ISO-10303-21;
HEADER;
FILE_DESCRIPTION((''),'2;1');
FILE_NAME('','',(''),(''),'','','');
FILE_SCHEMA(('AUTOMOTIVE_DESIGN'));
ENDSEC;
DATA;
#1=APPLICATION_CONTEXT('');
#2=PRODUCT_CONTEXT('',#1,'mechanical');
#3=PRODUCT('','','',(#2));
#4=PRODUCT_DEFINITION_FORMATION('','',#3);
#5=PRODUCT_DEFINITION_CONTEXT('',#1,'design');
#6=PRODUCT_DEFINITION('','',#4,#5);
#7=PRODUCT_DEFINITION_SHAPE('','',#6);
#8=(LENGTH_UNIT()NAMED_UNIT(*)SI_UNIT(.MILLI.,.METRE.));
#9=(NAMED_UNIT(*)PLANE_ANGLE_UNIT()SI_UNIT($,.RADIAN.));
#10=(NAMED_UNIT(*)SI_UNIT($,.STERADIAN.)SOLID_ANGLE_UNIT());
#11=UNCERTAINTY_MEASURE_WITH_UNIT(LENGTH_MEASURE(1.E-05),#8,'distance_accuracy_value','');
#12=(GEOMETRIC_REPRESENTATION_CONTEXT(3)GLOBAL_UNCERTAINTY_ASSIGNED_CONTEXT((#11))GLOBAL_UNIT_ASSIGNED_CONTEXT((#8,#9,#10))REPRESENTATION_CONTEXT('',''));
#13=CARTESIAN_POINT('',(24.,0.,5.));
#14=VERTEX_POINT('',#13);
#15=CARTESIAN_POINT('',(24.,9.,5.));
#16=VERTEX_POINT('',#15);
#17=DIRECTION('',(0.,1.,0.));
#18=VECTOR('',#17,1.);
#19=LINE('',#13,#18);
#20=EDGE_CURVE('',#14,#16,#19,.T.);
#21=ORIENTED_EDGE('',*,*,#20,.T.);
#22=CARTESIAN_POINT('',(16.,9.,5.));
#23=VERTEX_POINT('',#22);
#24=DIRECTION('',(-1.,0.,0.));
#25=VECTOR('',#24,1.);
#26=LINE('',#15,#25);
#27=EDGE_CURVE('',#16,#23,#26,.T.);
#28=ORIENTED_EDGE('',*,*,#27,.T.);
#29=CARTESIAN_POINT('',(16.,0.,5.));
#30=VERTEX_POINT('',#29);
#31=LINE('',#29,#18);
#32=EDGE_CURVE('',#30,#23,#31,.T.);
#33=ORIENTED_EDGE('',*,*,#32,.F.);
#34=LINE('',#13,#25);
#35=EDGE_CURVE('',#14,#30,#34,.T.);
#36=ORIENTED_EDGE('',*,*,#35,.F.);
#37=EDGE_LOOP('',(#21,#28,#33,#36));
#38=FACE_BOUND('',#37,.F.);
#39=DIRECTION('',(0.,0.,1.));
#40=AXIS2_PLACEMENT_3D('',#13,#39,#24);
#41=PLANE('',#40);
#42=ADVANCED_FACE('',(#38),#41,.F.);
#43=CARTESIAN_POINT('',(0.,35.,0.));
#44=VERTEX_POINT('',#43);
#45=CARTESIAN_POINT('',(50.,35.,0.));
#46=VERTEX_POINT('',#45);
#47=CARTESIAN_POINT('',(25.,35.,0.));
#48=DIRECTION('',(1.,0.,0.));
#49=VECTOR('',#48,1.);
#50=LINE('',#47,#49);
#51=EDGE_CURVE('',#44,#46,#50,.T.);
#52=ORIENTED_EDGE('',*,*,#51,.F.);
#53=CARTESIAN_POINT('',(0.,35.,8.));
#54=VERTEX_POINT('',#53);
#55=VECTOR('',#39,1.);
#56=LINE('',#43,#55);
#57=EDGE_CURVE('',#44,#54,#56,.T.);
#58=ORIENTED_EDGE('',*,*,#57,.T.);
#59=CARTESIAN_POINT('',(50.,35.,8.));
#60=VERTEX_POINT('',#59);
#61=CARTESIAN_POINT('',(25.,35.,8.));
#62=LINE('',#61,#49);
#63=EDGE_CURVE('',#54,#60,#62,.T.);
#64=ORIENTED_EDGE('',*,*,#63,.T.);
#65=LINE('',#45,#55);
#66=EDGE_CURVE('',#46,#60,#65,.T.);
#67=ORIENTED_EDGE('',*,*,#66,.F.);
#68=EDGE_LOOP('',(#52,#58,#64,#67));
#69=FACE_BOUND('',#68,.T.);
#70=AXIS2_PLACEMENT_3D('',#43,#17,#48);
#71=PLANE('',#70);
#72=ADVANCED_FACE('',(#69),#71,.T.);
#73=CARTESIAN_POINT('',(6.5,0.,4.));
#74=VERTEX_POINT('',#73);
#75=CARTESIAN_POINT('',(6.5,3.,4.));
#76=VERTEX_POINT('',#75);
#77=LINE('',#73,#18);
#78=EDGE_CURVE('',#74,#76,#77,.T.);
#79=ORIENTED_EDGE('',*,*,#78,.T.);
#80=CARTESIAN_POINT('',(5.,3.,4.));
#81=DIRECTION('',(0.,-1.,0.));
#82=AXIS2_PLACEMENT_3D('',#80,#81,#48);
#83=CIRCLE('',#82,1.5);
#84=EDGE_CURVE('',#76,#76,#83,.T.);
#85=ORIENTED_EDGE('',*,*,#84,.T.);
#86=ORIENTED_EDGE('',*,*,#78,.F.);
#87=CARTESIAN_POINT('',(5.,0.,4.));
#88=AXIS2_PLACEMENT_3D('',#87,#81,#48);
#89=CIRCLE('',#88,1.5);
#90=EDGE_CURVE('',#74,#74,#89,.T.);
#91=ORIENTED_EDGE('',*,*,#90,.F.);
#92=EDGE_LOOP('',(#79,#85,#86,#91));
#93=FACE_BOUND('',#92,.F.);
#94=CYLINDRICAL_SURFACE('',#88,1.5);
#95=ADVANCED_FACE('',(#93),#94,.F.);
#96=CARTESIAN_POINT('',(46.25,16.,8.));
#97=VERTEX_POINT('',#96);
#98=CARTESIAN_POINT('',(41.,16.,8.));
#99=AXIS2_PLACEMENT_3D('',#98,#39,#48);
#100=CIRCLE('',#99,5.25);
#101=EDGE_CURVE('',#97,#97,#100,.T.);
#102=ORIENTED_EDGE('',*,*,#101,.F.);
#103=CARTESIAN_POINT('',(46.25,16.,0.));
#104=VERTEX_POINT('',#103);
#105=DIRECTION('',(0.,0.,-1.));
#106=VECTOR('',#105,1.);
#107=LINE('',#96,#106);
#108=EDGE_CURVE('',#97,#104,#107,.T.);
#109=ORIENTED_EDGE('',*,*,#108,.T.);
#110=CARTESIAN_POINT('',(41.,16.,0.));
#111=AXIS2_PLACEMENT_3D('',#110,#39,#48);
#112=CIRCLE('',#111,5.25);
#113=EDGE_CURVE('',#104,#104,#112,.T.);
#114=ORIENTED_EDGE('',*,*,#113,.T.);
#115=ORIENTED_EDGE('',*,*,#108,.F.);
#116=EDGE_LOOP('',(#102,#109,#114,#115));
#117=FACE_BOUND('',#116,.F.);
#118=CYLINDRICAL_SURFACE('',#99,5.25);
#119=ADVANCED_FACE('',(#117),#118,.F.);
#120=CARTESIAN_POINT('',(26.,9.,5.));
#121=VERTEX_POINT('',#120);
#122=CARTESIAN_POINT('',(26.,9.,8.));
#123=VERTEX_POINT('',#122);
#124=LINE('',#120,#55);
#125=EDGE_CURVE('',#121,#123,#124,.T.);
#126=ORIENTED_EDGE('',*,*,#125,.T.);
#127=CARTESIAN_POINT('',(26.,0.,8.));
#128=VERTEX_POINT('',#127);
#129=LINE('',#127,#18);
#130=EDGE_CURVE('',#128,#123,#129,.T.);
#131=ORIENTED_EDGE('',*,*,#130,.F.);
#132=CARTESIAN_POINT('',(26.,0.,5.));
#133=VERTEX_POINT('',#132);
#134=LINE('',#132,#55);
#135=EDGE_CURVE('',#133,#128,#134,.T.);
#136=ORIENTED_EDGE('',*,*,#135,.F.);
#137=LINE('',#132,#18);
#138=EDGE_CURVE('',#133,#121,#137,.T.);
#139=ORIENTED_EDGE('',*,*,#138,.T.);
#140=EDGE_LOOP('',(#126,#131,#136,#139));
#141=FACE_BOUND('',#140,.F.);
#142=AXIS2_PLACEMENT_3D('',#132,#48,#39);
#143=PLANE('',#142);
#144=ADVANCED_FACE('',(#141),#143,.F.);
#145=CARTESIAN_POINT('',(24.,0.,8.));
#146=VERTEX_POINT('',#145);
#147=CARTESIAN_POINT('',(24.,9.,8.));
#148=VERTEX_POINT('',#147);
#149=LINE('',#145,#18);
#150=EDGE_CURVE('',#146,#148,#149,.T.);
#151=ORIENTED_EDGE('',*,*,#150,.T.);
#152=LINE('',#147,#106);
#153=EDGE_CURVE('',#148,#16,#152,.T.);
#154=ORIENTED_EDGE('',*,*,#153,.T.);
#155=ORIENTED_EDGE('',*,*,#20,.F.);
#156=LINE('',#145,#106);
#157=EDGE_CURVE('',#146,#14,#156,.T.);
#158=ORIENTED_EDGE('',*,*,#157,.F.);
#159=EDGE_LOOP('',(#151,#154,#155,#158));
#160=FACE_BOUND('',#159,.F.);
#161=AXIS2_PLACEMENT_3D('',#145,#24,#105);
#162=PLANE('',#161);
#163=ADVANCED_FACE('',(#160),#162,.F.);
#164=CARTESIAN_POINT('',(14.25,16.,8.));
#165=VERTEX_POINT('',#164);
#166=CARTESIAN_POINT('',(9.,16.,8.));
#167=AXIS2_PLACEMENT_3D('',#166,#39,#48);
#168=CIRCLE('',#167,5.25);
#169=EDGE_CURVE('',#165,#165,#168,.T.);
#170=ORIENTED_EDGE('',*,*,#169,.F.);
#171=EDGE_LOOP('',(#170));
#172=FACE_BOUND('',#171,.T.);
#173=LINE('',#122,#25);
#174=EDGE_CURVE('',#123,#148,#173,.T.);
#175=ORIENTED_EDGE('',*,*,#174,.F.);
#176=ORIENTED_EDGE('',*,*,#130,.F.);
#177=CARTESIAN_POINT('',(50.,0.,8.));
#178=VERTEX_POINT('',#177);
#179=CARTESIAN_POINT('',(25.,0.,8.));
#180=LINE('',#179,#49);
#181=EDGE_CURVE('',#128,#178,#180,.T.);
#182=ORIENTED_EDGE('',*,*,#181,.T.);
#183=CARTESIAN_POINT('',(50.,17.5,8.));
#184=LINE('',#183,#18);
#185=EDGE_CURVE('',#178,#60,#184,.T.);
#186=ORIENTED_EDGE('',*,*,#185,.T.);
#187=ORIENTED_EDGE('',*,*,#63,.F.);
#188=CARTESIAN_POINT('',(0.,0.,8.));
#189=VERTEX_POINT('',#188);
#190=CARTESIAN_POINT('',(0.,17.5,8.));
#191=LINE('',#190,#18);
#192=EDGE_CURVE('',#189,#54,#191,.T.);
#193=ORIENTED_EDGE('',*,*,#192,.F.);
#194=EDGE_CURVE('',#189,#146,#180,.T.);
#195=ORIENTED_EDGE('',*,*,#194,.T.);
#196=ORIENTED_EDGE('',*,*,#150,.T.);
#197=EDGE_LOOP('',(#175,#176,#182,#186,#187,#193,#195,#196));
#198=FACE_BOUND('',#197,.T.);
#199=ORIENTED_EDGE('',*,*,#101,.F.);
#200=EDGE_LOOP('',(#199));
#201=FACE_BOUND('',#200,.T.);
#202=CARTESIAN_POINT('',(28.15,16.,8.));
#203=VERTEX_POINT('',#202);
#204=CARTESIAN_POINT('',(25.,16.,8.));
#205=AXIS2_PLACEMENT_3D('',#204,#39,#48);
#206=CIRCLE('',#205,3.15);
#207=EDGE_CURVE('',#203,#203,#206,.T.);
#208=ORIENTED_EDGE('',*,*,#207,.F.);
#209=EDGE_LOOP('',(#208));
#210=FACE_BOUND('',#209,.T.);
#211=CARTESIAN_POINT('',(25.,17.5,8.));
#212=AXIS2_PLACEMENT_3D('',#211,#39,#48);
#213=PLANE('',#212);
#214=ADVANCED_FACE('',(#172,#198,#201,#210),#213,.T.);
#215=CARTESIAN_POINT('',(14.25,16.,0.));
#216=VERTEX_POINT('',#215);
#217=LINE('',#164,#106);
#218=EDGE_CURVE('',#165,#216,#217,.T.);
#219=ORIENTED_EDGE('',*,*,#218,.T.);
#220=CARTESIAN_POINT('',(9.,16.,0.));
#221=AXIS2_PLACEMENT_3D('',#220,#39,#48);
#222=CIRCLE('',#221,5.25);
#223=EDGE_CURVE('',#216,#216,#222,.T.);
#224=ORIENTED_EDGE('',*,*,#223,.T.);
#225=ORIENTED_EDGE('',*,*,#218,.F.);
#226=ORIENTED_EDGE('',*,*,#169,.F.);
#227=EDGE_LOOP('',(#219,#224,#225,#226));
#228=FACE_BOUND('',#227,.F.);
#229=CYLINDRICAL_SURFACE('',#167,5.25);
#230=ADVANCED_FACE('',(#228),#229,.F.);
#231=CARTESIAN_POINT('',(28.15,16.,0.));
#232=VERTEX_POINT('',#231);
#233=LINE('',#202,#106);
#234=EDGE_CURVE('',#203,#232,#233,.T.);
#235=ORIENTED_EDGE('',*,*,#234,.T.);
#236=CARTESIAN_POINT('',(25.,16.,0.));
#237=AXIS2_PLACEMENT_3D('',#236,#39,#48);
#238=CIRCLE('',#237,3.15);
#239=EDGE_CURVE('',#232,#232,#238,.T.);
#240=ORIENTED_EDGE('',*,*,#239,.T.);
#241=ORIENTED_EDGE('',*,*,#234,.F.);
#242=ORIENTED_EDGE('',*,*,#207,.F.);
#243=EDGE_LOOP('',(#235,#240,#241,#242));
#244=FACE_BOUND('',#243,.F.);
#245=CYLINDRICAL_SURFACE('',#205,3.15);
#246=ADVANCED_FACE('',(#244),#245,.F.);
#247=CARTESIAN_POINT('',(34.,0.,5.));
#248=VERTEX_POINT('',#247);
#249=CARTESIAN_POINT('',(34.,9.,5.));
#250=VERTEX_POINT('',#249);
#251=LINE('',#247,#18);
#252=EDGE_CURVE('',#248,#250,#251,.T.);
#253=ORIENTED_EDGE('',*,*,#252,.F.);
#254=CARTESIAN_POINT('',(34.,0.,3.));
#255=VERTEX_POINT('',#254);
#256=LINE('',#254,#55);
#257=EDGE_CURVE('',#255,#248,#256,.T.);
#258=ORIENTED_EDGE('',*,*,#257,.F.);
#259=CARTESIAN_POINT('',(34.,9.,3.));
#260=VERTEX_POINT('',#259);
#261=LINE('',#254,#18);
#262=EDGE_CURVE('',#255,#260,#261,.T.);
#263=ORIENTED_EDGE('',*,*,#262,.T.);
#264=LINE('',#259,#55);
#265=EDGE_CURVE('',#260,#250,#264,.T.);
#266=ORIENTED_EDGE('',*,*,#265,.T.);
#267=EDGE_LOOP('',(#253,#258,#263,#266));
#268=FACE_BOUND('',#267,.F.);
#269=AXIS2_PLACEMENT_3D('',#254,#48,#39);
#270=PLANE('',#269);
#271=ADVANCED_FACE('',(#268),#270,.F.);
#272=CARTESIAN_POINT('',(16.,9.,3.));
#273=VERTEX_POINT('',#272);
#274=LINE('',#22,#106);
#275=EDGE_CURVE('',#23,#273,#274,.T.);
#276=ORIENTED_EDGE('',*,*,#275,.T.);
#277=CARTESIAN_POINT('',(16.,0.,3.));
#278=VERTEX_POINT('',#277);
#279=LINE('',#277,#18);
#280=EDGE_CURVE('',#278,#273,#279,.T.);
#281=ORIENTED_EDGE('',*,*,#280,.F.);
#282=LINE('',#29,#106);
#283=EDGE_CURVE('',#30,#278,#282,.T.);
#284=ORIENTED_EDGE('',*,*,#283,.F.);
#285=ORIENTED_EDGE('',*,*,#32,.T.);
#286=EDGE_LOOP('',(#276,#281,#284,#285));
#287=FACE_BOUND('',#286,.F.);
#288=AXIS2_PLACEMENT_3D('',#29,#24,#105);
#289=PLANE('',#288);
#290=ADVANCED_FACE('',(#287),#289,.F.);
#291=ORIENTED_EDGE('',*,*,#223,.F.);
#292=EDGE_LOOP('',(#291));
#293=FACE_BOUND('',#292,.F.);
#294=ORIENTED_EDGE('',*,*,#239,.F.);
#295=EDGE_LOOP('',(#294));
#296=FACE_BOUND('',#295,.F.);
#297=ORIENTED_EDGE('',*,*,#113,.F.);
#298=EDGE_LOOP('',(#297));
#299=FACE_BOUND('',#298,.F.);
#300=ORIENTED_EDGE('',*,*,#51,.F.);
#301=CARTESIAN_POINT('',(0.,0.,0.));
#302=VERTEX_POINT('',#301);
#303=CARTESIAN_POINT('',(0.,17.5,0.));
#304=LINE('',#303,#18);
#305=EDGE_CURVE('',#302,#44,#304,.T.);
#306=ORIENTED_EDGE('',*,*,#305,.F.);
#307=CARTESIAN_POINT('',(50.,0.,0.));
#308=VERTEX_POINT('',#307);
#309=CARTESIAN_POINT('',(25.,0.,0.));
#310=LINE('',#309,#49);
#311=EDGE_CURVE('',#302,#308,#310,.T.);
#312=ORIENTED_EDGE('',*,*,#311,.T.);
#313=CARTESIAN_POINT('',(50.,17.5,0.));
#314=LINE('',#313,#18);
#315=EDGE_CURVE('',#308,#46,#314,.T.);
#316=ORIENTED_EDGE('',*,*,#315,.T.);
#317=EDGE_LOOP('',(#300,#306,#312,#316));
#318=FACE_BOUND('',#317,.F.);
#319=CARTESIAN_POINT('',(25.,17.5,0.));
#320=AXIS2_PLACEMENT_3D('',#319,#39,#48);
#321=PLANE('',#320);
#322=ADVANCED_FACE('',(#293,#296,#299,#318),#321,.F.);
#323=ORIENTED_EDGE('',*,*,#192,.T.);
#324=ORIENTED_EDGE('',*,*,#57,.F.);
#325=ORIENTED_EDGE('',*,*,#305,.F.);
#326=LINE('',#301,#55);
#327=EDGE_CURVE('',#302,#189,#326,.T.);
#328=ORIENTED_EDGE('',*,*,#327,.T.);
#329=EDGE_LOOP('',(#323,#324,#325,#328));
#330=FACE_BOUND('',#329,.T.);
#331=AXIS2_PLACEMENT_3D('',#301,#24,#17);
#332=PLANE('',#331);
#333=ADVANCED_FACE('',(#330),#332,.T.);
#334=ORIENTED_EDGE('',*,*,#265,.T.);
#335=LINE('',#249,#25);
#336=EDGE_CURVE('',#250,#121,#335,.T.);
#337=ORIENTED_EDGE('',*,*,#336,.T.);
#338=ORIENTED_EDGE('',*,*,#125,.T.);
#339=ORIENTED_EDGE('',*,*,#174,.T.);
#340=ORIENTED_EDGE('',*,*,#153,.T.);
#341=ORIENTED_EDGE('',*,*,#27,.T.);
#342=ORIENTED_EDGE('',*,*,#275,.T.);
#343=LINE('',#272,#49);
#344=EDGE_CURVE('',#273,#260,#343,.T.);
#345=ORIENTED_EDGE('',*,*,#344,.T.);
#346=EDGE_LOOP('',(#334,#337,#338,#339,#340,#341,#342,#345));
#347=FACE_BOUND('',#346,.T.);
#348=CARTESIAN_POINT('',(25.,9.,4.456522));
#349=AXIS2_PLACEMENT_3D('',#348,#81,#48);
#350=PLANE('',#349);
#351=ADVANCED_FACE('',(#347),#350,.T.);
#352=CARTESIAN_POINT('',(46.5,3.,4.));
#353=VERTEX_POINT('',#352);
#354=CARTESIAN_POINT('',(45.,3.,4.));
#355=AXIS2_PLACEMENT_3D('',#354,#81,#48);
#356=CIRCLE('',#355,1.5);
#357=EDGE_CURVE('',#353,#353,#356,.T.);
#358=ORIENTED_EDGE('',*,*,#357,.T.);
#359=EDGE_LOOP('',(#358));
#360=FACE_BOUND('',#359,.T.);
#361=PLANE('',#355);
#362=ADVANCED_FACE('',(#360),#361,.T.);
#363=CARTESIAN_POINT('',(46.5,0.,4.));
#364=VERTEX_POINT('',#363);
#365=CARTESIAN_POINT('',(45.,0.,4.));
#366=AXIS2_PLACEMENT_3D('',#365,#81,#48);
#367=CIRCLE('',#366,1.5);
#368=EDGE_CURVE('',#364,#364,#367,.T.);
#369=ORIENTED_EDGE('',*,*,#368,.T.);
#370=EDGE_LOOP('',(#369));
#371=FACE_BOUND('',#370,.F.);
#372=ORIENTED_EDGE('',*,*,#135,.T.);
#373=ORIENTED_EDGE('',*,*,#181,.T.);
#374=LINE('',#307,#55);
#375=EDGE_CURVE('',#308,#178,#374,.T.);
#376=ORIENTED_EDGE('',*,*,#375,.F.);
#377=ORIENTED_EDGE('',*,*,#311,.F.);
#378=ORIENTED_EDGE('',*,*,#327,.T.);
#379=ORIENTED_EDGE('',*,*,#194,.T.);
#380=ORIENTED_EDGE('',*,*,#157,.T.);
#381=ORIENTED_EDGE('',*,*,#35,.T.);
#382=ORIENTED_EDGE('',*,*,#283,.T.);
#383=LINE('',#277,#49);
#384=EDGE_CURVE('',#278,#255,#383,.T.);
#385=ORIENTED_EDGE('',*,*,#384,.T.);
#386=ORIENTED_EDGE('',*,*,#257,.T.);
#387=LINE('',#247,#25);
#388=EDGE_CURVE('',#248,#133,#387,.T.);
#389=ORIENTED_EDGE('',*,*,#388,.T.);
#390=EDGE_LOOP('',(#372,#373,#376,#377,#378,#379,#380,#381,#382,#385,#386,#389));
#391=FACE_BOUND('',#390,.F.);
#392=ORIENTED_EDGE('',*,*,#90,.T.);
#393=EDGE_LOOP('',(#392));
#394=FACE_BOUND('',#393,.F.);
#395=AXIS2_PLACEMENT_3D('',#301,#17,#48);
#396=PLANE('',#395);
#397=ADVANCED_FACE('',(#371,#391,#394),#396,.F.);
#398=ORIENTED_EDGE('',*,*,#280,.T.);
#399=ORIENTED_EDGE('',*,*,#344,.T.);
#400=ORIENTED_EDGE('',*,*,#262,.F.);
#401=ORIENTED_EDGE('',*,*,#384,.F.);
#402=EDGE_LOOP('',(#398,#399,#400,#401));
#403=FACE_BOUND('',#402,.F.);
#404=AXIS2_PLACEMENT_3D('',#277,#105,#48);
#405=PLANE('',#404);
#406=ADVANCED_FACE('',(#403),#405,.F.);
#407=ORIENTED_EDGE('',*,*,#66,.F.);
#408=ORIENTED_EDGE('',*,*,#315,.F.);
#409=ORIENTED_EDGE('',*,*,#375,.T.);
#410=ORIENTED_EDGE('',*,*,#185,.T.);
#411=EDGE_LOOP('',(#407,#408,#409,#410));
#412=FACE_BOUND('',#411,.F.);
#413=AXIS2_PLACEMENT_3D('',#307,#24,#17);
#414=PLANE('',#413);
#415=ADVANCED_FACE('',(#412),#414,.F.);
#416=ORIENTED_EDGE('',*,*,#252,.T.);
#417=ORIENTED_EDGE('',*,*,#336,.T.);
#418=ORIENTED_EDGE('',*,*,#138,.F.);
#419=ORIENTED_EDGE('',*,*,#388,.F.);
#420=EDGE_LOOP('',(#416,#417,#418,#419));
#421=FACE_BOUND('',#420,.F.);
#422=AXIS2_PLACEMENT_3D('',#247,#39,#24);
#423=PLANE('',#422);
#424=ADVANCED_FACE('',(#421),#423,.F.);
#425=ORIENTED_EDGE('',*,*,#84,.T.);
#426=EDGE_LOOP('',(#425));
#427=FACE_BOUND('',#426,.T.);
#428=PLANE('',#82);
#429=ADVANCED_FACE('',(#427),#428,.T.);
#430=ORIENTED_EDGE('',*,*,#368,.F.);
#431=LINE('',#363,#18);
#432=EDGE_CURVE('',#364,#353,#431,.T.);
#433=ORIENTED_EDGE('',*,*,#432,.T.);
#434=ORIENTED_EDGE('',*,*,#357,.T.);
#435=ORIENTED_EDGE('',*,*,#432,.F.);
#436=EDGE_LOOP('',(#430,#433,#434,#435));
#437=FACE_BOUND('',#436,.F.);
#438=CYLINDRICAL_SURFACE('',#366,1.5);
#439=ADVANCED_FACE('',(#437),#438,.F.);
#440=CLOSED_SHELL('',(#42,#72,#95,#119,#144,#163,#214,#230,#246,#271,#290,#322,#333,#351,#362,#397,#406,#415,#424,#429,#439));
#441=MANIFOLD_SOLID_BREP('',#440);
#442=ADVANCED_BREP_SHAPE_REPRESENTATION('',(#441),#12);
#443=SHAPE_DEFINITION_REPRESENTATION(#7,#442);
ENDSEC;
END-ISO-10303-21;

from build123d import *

# Parameters (mm, degrees)
F0_W     = 50
F0_H     = 35
F1_DEPTH = 8
F2_R     = 5.25
F2_R_2   = 3.15
F3_DEPTH = 8
F4_R     = 1.5
F5_DEPTH = 3
F6_DEPTH = 9


with BuildPart() as f1:
    # F0 (on Top) → F1 (new body)
    with BuildSketch(Plane.XY):
        with Locations((25, 17.5)):
            Rectangle(F0_W, F0_H)
    extrude(amount=F1_DEPTH)

    # F2 (on face) → F3 (cut)
    with BuildSketch(Plane.XY.offset(8)):
        with Locations((9, 16)):
            Circle(F2_R)
        with Locations((41, 16)):
            Circle(F2_R)
        with Locations((25, 16)):
            Circle(F2_R_2)
    extrude(amount=-F3_DEPTH, mode=Mode.SUBTRACT)

    # F4 (on face) → F5 (cut)
    with BuildSketch(Plane.XZ):
        with Locations((5, 4)):
            Circle(F4_R)
        with Locations((45, 4)):
            Circle(F4_R)
    extrude(amount=-F5_DEPTH, mode=Mode.SUBTRACT)

    # F4 (on face) → F6 (cut)
    with BuildSketch(Plane.XZ):
        Polygon((26, 8), (24, 8), (24, 5), (16, 5), (16, 3), (34, 3), (34, 5), (26, 5), align=None)
    extrude(amount=-F6_DEPTH, mode=Mode.SUBTRACT)


solid = f1.part
